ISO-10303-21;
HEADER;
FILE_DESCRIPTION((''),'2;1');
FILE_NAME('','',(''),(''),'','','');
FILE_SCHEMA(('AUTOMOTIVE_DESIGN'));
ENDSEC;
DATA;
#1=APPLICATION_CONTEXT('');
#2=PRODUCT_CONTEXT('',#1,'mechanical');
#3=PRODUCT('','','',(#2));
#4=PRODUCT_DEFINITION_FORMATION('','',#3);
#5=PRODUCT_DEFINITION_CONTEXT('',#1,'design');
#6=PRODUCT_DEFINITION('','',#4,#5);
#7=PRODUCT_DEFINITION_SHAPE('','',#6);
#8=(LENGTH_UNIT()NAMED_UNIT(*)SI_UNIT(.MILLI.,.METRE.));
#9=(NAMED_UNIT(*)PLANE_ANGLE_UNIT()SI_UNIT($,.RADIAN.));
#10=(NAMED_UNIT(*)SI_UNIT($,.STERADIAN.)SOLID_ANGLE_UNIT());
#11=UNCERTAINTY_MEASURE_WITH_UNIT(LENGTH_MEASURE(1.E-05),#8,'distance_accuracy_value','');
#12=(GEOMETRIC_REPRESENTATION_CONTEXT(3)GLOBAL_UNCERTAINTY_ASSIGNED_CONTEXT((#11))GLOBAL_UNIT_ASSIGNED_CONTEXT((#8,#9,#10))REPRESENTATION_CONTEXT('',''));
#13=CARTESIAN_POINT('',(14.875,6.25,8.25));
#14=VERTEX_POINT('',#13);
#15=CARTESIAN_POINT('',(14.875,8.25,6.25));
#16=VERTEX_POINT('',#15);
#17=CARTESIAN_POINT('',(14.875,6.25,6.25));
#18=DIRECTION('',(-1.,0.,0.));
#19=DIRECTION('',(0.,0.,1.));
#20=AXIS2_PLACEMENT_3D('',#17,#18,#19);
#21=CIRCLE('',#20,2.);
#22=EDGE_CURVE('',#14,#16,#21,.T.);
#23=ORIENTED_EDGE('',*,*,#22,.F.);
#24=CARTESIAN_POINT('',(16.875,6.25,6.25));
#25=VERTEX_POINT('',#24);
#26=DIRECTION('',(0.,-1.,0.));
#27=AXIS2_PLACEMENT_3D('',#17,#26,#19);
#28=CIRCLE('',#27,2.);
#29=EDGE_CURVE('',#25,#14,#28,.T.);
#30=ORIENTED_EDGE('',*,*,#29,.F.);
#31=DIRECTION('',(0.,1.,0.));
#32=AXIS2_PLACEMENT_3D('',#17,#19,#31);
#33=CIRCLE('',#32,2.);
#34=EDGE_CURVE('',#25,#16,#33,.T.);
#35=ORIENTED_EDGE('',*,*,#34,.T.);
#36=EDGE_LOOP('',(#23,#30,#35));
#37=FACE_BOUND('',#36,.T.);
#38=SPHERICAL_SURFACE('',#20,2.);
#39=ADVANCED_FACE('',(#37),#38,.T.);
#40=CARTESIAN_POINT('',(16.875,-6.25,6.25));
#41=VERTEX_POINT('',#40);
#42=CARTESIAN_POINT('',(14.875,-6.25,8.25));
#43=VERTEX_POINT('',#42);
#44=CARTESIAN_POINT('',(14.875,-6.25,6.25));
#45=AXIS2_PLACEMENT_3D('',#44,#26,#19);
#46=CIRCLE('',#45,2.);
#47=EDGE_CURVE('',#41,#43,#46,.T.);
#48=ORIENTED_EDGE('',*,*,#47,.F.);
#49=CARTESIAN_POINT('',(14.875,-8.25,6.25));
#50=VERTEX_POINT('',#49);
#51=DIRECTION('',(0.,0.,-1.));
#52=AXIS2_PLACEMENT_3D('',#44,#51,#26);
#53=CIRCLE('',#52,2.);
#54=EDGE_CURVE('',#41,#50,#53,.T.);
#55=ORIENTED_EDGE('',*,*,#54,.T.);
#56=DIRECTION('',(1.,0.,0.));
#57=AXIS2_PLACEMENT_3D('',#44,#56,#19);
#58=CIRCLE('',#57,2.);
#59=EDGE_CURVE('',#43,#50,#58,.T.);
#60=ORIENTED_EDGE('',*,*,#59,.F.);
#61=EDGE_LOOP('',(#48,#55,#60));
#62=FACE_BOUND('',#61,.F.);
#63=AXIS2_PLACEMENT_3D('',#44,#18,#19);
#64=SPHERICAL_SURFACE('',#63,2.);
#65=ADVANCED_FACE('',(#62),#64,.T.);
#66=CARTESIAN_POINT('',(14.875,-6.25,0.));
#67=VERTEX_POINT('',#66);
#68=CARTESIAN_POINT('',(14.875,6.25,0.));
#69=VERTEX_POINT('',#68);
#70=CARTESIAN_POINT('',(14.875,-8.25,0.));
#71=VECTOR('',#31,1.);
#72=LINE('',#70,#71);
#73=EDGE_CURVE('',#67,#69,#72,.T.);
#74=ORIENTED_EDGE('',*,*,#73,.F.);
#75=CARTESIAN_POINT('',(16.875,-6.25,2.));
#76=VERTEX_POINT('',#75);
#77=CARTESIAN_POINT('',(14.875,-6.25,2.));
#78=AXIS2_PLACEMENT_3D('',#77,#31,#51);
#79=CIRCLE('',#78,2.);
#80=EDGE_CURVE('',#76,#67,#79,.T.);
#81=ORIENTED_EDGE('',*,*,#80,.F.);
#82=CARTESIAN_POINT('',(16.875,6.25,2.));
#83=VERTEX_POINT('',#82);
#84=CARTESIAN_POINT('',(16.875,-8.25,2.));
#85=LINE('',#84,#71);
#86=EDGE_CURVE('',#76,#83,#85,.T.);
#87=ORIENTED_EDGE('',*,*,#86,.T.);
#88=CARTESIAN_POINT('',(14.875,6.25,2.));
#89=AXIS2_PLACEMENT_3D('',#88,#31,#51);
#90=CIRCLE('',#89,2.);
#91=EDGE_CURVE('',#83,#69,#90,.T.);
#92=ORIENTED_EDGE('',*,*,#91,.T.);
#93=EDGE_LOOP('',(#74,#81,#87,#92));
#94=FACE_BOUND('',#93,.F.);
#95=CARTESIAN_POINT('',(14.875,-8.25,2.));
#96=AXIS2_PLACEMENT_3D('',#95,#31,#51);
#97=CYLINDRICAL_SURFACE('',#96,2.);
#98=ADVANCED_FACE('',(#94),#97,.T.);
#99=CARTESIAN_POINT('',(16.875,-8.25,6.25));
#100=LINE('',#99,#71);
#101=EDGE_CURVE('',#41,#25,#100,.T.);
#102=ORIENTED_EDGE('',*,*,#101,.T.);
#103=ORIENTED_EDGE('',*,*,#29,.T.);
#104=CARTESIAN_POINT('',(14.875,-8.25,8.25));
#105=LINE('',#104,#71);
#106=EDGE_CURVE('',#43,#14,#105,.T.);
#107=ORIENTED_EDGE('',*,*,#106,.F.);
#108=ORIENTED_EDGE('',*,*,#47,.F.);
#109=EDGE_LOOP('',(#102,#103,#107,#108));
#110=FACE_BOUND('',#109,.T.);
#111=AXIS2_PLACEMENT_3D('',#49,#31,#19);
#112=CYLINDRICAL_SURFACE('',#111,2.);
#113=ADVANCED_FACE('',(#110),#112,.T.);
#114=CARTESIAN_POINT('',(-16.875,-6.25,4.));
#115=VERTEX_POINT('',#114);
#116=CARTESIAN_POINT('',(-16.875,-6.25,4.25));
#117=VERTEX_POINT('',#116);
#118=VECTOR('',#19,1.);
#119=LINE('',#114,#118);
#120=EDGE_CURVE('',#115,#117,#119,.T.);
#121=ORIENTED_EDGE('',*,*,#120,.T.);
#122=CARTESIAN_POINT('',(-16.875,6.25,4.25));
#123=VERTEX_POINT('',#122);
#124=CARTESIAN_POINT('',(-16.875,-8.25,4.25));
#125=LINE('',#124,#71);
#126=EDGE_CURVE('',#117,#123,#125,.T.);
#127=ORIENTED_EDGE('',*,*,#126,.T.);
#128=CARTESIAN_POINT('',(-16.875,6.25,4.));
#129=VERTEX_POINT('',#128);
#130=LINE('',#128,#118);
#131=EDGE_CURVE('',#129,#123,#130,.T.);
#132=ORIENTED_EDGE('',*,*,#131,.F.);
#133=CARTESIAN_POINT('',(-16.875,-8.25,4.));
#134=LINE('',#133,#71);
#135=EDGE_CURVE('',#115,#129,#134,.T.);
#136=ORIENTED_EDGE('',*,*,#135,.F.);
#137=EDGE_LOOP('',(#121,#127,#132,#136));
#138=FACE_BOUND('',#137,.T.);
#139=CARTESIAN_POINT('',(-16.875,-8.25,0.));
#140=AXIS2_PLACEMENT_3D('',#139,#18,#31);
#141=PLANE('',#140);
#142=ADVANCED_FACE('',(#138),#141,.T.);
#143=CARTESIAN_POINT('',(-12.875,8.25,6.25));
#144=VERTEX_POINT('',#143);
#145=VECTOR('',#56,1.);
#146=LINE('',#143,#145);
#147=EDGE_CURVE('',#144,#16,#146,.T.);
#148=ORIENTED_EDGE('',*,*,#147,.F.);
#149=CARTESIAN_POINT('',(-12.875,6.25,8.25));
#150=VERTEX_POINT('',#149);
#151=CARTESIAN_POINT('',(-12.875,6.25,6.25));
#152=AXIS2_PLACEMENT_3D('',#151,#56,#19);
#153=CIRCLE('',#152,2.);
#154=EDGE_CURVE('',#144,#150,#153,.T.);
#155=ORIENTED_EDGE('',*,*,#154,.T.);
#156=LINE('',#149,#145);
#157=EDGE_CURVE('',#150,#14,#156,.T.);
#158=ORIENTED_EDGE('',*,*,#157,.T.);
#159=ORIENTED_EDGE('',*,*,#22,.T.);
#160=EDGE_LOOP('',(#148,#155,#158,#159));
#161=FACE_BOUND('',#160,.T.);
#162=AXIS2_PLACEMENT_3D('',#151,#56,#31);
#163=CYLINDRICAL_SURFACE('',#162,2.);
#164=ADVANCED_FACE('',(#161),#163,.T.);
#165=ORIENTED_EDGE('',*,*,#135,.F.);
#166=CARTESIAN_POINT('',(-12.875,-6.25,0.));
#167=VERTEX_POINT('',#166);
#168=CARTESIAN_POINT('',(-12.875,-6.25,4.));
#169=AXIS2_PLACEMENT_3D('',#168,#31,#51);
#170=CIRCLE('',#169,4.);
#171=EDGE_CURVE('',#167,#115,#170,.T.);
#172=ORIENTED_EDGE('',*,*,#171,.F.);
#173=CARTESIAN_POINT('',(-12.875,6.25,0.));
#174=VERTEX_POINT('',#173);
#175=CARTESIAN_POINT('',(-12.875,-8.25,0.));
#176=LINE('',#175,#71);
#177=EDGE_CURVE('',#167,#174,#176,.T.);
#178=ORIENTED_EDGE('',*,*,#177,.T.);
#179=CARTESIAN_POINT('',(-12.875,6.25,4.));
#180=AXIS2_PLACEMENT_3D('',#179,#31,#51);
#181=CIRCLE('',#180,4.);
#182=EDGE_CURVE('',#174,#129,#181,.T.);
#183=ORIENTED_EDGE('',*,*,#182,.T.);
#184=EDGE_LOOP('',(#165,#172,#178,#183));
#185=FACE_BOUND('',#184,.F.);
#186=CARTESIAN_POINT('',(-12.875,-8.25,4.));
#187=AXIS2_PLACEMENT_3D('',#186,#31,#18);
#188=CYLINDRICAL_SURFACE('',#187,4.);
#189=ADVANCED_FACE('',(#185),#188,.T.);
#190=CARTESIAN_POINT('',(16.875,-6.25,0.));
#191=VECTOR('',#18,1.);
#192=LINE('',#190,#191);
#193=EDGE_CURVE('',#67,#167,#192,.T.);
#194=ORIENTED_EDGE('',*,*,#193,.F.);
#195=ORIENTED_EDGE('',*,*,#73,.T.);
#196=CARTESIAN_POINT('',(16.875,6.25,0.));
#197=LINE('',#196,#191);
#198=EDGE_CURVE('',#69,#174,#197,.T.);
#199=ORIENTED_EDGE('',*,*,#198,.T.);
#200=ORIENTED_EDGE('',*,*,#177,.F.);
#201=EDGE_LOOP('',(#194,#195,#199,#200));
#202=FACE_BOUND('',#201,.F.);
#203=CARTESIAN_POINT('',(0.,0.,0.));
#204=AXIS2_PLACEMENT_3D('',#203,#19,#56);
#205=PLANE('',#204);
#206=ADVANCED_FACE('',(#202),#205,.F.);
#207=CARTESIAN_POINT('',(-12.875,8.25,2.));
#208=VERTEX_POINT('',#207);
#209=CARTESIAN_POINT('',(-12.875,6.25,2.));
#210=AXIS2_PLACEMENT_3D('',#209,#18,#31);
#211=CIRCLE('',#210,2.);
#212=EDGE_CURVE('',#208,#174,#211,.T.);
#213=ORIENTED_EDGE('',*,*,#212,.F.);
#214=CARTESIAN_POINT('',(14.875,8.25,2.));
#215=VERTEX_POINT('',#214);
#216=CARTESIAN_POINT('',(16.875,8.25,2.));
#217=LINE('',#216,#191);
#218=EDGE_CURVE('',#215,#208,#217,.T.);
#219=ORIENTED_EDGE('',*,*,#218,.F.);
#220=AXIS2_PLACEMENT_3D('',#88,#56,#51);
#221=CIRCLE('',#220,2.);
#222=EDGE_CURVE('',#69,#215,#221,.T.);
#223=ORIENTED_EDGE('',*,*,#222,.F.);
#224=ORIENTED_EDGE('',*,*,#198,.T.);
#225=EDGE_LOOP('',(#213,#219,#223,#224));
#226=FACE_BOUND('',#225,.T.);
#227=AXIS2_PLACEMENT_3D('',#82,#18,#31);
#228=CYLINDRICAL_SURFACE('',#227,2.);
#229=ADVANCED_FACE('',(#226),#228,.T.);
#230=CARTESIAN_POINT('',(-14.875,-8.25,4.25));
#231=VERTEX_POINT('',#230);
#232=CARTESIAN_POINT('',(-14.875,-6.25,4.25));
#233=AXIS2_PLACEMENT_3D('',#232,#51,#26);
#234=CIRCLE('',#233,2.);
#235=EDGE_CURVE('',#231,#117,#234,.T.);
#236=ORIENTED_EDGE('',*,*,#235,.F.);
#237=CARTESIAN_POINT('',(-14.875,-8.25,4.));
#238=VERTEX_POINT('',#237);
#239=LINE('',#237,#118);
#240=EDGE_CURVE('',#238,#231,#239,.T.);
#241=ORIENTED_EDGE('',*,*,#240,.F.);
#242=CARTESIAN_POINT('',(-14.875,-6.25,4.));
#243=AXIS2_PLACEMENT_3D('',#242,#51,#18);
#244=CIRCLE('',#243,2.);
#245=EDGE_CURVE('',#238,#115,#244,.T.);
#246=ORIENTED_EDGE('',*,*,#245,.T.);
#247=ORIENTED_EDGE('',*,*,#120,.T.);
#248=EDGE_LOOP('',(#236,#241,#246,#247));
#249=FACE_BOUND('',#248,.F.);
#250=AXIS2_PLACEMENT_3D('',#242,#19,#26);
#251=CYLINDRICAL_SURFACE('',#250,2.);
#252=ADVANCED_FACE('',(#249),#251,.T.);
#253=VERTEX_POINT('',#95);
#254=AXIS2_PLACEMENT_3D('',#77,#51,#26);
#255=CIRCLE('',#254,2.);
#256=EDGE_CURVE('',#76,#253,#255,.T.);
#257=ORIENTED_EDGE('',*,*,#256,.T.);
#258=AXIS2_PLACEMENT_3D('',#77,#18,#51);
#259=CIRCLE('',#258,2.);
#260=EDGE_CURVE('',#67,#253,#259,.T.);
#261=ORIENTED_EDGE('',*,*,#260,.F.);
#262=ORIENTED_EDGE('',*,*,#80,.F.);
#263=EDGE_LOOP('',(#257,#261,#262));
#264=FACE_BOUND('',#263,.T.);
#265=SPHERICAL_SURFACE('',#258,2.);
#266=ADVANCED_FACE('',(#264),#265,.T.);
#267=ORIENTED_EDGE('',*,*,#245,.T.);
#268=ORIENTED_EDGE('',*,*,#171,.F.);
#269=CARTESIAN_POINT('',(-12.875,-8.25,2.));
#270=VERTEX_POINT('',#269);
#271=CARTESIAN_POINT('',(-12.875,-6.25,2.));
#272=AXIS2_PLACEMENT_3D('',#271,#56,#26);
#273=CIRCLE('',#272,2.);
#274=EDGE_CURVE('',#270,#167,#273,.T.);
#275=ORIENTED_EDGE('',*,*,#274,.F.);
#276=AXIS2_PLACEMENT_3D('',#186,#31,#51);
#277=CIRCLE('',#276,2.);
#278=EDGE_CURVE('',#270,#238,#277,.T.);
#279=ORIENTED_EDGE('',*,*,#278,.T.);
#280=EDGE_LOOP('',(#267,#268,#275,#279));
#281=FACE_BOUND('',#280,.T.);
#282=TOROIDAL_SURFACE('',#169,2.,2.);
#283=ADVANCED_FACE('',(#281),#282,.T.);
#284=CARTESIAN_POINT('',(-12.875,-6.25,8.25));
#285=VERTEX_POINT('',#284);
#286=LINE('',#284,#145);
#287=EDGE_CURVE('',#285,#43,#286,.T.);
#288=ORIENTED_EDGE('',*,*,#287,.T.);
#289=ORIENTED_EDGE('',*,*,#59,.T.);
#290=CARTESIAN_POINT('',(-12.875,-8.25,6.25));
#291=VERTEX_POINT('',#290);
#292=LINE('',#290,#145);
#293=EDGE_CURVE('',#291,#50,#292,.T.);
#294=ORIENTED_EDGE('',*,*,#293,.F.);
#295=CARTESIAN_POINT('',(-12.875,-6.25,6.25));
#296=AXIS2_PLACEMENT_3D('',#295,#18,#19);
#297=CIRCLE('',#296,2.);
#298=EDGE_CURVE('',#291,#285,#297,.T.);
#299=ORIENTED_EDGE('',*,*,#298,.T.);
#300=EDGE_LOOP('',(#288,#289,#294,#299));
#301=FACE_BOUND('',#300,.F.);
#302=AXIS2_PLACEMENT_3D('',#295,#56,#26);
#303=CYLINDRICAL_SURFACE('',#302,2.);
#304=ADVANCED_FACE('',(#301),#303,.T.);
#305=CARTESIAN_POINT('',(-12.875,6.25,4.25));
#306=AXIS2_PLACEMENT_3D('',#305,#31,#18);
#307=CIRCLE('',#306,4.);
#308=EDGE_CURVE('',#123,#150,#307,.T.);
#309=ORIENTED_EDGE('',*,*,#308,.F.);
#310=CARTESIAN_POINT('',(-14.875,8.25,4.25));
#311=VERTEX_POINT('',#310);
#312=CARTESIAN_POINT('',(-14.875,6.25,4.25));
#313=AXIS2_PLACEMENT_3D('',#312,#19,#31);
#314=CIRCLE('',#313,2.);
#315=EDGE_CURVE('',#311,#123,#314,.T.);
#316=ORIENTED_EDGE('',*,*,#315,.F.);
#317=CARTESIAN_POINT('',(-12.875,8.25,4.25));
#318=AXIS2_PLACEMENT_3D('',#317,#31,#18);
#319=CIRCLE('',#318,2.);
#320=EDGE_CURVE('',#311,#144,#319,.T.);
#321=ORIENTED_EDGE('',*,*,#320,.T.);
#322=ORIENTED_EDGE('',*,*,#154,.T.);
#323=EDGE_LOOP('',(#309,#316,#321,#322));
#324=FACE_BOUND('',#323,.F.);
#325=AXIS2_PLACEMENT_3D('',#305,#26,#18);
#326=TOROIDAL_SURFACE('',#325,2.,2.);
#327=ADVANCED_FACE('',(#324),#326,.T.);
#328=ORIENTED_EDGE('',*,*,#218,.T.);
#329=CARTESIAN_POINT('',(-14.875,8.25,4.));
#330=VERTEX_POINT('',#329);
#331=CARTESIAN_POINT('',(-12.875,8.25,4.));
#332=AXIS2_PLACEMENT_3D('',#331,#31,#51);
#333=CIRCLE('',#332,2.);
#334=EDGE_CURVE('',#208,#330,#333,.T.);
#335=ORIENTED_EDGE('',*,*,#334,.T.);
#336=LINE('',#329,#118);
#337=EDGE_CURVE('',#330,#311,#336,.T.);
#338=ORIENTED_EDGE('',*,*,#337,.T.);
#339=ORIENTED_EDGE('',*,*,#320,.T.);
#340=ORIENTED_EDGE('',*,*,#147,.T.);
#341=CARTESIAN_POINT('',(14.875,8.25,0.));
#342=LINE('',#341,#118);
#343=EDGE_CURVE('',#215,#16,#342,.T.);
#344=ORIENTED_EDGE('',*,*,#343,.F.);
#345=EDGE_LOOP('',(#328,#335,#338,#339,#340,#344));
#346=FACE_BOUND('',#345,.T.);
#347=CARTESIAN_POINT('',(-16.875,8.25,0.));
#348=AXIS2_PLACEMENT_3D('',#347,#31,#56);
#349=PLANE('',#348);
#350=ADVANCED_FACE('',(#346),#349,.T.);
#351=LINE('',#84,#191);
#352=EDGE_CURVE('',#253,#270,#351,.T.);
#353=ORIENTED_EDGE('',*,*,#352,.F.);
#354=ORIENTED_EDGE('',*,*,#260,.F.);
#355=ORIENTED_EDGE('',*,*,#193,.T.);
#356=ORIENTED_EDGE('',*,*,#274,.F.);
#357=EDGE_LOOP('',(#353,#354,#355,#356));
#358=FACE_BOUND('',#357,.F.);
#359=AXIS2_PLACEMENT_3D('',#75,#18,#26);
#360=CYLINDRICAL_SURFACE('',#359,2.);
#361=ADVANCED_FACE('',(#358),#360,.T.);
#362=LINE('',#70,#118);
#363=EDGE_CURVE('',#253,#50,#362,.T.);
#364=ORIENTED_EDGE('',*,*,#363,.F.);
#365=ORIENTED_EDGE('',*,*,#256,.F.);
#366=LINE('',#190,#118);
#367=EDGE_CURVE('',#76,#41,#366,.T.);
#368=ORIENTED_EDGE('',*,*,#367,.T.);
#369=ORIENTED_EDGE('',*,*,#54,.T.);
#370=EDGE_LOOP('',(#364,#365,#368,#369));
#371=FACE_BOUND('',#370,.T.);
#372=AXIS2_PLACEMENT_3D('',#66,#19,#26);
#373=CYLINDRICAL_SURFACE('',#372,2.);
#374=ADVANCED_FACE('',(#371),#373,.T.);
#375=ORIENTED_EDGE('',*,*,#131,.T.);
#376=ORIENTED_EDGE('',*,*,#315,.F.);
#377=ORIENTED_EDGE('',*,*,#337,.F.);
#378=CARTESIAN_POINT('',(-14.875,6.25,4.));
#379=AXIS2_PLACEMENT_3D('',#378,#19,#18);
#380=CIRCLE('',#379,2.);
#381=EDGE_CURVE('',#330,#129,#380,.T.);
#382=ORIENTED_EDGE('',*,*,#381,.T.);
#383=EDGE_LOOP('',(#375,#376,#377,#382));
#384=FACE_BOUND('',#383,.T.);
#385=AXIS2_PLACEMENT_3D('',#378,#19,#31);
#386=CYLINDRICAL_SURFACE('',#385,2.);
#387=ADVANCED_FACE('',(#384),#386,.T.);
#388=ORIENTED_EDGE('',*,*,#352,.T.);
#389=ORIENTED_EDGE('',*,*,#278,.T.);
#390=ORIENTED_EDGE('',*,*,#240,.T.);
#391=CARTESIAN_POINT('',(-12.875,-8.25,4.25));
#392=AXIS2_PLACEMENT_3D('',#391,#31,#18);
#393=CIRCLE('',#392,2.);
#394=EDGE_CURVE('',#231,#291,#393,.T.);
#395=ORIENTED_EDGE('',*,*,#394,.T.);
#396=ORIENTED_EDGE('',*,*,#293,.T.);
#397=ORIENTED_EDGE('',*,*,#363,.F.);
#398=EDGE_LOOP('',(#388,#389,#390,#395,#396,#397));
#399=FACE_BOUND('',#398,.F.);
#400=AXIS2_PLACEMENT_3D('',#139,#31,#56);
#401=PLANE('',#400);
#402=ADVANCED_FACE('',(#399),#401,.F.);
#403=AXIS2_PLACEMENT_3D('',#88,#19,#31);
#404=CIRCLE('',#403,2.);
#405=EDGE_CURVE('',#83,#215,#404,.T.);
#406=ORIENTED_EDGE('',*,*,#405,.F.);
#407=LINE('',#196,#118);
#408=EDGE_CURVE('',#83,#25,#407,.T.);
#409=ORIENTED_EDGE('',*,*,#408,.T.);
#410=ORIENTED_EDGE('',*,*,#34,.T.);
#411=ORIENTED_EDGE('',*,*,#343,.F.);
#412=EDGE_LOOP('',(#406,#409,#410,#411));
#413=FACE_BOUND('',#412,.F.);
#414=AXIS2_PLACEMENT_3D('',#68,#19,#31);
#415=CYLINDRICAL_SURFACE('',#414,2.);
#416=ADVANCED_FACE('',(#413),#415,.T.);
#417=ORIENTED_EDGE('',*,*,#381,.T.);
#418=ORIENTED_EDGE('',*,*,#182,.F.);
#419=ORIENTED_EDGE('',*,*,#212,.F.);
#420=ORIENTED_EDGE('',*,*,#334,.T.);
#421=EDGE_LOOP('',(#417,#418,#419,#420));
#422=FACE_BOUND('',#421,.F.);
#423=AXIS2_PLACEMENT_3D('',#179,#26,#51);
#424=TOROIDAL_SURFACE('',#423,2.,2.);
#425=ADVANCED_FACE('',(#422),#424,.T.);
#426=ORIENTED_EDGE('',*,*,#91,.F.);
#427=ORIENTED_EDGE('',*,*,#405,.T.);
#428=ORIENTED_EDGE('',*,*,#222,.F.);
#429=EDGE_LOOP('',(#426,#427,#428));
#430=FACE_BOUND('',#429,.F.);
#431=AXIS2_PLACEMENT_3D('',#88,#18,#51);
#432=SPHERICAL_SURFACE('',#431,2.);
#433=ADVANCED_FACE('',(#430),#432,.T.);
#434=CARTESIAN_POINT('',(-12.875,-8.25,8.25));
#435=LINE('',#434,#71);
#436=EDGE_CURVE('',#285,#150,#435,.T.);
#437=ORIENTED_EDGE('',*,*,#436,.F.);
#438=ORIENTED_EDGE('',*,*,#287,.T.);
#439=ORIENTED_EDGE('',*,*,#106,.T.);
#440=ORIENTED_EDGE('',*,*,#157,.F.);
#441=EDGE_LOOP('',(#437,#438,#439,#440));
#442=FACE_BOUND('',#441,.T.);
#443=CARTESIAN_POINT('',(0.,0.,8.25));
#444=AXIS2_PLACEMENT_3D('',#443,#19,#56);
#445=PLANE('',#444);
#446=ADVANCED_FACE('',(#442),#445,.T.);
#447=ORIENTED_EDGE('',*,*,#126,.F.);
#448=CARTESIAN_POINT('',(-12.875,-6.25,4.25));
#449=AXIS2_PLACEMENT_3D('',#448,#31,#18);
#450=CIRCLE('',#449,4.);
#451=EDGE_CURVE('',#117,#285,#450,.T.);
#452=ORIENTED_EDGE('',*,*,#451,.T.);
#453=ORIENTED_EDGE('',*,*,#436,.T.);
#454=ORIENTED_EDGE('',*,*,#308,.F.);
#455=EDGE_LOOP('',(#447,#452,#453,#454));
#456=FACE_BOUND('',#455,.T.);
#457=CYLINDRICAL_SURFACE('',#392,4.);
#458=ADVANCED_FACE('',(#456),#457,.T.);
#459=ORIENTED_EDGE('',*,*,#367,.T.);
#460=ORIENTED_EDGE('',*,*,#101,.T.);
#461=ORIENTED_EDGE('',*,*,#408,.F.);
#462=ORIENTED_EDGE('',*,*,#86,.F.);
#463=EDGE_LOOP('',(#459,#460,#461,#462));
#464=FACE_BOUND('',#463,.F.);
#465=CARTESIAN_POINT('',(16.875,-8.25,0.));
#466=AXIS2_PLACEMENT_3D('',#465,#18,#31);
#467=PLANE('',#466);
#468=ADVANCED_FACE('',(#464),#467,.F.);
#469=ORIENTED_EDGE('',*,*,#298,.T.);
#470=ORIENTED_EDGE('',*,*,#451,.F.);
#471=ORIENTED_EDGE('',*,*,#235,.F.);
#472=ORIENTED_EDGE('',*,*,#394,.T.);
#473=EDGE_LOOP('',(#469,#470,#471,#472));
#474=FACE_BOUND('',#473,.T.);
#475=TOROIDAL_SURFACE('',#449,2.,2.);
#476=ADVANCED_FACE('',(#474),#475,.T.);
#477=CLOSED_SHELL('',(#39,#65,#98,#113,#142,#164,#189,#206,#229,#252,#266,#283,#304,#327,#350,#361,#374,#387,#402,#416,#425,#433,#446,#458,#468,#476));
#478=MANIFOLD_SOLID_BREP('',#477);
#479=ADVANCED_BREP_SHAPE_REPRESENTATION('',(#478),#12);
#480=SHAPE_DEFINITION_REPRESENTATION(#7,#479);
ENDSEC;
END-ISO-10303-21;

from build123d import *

# Parameters (mm, degrees)
F0_W     = 33.75
F0_H     = 16.5
F1_DEPTH = 8.25
F2_R     = 4
F3_R     = 2


with BuildPart() as f1:
    # F0 (on Top) → F1 (new body)
    with BuildSketch(Plane.XY):
        Rectangle(F0_W, F0_H)
    extrude(amount=F1_DEPTH)

    # F2
    f2_edges = [f1.edges().sort_by_distance(p)[0] for p in [
        (-16.875, 0, 8.25),
        (-16.875, 0, 0),
    ]]
    fillet(f2_edges, radius=F2_R)

    # F3
    f3_edges = [f1.edges().sort_by_distance(p)[0] for p in [
        (2, -8.25, 8.25),
        (2, 8.25, 8.25),
        (16.875, 0, 8.25),
        (16.875, 0, 0),
        (16.875, -8.25, 4.125),
        (16.875, 8.25, 4.125),
    ]]
    fillet(f3_edges, radius=F3_R)


solid = f1.part
